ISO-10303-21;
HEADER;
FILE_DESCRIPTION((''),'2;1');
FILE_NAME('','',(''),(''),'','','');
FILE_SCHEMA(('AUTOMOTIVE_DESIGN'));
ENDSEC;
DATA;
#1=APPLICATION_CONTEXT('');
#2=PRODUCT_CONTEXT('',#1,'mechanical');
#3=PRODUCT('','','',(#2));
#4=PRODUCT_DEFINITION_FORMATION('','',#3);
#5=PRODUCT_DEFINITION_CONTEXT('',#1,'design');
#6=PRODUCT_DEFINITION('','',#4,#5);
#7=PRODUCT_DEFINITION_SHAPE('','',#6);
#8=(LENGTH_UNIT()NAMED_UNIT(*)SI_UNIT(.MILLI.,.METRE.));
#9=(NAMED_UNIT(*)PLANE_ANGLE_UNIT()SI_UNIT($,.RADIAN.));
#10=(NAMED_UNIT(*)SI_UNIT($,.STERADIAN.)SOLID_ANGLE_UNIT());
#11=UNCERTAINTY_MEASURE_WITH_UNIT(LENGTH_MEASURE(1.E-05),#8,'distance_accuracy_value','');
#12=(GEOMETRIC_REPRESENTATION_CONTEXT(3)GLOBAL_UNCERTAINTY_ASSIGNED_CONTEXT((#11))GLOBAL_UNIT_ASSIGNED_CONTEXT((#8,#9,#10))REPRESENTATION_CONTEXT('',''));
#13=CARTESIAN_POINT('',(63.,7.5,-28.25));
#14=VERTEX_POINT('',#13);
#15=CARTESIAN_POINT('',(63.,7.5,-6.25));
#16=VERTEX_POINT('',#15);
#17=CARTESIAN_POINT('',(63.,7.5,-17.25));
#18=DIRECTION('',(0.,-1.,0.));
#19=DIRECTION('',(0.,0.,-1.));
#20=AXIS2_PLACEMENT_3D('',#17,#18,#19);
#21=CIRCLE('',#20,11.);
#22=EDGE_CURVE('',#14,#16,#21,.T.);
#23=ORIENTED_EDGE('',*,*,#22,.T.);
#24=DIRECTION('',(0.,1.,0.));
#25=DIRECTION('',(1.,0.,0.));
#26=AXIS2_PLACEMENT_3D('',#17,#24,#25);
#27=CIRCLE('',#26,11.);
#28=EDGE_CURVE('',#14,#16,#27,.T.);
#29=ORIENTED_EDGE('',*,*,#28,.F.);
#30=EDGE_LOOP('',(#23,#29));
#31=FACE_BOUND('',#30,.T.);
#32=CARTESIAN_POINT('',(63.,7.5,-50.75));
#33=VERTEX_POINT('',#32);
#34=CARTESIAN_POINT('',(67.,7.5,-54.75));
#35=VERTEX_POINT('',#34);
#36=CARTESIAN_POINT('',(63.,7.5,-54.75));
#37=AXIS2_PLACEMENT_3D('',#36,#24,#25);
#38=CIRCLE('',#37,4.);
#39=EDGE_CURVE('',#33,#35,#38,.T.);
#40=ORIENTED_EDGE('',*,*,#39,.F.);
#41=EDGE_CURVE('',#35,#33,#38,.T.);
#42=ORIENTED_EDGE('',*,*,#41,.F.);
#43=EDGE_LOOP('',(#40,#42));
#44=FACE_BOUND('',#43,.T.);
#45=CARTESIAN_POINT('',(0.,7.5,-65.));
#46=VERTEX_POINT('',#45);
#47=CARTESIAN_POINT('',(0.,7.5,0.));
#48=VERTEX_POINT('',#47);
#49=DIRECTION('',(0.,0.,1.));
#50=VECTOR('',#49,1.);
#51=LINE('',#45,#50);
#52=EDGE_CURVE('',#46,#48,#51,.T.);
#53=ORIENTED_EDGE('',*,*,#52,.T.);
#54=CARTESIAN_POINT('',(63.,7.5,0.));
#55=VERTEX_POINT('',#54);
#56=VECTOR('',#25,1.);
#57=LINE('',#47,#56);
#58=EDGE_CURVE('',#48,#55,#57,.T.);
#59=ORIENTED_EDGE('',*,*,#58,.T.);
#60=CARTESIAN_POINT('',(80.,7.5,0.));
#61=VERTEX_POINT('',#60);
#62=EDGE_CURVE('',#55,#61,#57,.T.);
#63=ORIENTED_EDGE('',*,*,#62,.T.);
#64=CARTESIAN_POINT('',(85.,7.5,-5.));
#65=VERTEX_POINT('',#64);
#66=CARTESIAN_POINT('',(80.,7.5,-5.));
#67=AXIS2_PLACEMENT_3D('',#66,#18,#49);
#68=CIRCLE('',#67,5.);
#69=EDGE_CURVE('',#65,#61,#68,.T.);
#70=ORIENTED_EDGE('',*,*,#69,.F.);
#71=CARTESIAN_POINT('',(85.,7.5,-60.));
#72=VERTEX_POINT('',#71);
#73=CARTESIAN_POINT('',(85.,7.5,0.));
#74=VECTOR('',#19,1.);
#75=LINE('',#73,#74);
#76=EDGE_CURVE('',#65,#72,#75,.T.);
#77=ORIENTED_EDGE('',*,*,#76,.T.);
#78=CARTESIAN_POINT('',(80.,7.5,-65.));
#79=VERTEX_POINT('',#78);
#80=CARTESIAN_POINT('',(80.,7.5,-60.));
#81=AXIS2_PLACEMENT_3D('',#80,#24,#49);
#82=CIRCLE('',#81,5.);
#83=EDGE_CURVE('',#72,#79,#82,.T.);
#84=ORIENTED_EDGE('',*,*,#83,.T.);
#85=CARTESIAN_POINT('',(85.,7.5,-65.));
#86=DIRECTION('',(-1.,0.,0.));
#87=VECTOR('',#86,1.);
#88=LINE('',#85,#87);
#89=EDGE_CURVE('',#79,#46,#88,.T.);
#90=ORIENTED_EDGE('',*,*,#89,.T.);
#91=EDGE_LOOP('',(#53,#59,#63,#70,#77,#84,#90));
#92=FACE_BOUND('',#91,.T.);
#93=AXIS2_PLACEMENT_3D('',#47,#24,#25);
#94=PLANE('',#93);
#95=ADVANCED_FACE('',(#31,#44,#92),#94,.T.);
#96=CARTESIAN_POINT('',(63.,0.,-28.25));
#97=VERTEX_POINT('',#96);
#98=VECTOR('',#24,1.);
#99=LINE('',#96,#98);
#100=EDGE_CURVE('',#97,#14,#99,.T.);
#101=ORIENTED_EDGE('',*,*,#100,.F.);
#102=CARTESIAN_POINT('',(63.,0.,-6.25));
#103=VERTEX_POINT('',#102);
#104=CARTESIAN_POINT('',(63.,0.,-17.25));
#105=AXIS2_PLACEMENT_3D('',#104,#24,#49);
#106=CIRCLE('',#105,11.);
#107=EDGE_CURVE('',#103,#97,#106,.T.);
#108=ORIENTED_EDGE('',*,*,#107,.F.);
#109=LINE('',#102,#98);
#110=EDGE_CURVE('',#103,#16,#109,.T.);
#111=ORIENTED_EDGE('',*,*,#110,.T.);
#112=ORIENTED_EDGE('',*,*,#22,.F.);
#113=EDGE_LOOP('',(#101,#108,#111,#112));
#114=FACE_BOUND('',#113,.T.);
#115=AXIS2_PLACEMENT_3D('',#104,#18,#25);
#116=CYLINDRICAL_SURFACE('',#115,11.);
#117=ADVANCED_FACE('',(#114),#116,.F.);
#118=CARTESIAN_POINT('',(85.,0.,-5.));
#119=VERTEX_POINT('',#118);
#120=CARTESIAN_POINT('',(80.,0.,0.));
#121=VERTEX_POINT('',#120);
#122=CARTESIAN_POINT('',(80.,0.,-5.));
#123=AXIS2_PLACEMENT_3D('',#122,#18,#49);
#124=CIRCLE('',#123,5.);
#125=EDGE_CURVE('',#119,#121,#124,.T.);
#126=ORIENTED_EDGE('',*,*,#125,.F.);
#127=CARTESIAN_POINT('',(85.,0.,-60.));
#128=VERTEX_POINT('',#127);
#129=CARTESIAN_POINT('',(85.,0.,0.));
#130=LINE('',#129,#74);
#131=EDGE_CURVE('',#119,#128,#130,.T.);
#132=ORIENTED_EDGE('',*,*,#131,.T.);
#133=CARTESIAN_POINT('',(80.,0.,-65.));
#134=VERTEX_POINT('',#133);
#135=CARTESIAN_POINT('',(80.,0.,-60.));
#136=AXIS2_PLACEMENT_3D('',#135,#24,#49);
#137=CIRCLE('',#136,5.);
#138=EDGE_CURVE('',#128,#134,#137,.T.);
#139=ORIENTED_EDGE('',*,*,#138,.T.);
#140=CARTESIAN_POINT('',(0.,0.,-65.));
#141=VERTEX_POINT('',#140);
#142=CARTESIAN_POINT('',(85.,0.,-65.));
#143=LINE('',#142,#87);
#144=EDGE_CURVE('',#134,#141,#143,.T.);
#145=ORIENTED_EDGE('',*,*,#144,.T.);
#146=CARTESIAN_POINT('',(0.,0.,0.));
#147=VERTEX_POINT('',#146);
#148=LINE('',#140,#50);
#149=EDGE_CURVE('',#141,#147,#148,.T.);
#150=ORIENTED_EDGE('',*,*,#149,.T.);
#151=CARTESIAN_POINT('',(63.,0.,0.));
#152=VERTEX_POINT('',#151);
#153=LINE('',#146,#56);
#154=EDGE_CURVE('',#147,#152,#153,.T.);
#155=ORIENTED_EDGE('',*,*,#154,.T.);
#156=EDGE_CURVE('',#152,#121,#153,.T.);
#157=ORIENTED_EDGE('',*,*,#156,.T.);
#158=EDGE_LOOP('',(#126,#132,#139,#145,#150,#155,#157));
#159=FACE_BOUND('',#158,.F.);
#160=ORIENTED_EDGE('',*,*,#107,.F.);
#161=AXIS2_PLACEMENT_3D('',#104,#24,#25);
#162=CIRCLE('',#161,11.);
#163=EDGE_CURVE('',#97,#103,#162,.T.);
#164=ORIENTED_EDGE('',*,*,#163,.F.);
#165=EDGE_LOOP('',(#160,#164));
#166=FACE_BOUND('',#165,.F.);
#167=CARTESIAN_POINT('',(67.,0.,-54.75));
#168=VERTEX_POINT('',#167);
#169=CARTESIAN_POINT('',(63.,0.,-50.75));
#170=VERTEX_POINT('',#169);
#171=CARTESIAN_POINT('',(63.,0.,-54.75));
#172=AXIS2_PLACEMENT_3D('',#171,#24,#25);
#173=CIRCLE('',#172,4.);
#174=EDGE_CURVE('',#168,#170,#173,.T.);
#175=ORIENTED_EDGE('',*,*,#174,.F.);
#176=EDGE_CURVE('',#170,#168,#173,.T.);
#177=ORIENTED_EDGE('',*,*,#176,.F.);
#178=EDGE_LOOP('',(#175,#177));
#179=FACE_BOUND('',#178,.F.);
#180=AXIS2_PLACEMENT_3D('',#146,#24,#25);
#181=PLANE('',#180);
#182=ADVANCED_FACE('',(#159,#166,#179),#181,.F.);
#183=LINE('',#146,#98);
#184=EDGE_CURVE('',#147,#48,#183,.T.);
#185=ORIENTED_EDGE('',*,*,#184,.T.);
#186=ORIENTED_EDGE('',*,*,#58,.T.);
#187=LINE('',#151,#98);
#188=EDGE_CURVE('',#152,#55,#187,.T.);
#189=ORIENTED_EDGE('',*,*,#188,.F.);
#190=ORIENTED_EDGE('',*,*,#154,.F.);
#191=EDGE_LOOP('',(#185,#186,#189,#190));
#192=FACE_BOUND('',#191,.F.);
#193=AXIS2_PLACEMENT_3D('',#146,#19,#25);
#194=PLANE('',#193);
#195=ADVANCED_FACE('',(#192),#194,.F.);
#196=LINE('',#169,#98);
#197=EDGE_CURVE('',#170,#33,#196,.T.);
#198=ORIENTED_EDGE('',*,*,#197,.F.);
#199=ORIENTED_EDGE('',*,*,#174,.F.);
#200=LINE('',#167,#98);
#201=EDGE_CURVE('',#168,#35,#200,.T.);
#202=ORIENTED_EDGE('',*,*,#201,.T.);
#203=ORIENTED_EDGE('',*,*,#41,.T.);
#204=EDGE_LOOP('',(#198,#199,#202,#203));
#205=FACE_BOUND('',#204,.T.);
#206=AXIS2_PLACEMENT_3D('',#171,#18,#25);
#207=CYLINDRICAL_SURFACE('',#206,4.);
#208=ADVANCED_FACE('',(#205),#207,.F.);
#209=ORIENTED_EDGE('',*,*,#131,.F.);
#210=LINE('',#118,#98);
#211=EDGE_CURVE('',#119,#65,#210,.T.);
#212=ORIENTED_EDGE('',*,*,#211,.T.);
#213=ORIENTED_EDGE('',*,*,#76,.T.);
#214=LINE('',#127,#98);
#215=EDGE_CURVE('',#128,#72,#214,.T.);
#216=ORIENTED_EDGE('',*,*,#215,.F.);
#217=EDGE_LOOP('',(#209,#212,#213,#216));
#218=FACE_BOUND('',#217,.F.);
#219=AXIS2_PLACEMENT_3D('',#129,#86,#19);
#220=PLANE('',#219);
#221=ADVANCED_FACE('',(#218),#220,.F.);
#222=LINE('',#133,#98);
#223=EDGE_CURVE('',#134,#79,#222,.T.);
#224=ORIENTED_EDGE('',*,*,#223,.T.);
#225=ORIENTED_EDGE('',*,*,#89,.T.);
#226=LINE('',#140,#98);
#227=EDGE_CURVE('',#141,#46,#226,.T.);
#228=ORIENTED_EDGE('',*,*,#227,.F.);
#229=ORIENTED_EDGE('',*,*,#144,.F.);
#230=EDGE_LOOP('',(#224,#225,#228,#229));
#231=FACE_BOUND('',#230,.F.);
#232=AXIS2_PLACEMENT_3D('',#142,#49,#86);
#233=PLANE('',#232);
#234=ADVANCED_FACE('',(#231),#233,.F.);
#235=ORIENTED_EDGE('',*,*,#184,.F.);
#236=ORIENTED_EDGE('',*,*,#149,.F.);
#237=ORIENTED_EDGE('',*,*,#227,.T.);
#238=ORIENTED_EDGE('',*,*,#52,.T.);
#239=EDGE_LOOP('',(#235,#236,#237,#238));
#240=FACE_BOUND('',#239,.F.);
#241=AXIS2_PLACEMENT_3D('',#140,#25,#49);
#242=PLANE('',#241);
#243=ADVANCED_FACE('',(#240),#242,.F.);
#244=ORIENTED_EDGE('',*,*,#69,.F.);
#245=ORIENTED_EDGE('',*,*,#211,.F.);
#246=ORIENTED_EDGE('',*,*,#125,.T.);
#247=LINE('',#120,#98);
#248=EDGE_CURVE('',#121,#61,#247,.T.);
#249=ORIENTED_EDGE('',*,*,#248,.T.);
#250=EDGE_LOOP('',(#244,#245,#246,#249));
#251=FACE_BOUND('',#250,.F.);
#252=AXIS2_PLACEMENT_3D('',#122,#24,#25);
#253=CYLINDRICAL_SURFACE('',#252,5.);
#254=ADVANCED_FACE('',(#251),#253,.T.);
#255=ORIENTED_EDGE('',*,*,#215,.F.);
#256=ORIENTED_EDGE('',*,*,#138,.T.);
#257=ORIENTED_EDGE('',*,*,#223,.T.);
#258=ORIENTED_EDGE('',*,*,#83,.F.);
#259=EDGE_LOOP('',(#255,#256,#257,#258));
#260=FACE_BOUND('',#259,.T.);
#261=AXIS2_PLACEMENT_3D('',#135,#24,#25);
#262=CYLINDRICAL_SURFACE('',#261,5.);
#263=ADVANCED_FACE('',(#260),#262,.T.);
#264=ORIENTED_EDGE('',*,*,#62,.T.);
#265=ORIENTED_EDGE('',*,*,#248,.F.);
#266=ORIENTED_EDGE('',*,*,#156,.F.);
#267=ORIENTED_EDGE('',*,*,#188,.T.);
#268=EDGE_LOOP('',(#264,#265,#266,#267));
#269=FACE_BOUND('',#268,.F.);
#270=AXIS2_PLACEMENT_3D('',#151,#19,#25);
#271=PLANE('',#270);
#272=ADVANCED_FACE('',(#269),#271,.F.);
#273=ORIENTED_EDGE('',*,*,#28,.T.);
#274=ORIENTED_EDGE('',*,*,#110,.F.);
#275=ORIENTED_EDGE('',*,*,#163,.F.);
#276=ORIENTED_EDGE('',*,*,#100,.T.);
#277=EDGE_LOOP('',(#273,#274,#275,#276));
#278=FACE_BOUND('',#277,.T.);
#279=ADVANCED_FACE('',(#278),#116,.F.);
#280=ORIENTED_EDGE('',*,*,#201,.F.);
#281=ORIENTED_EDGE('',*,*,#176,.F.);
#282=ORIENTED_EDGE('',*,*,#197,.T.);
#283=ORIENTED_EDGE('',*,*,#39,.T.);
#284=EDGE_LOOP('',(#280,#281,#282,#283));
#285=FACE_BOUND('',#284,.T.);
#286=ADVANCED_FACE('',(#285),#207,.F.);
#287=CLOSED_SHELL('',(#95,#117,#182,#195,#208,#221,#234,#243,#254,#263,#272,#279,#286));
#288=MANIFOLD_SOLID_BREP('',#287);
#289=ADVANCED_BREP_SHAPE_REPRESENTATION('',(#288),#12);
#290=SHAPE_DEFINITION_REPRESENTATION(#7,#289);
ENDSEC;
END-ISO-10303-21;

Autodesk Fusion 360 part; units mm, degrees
sketch "Sketch1" plane through (0, 0, 0) normal (0, 1, 0) x (1, 0, 0)
  line L0 (0, 0) -> (85, 0)
  line L1 (85, 0) -> (85, 65)
  line L2 (85, 65) -> (0, 65)
  line L3 (0, 65) -> (0, 0)
  line L4 (0, 17.25) -> (63, 17.25) construction
  line L5 (63, 17.25) -> (63, 0) construction
  line L6 (63, 17.25) -> (63, 65) construction
  line L7 (63, 17.25) -> (63, 54.75)
  circle A0 centre (63, 17.25) radius 11
  circle A1 centre (63, 54.75) radius 4
  line L8 (63, 6.25) -> (63, 0)
  dimension "d1" = 85
  dimension "d2" = 65
  dimension "d4" = 63
  dimension "d5" = 37.5
  dimension "d6" = 22
  dimension "d7" = 8
  dimension "d9" = 6.25
extrude "Extrude1" add sketch "Sketch1" along normal blind 7.5
fillet "Fillet1" radius 5 1 edges at (85, 3.75, 0)
fillet "Fillet2" radius 5 1 edges at (85, 3.75, -65)
